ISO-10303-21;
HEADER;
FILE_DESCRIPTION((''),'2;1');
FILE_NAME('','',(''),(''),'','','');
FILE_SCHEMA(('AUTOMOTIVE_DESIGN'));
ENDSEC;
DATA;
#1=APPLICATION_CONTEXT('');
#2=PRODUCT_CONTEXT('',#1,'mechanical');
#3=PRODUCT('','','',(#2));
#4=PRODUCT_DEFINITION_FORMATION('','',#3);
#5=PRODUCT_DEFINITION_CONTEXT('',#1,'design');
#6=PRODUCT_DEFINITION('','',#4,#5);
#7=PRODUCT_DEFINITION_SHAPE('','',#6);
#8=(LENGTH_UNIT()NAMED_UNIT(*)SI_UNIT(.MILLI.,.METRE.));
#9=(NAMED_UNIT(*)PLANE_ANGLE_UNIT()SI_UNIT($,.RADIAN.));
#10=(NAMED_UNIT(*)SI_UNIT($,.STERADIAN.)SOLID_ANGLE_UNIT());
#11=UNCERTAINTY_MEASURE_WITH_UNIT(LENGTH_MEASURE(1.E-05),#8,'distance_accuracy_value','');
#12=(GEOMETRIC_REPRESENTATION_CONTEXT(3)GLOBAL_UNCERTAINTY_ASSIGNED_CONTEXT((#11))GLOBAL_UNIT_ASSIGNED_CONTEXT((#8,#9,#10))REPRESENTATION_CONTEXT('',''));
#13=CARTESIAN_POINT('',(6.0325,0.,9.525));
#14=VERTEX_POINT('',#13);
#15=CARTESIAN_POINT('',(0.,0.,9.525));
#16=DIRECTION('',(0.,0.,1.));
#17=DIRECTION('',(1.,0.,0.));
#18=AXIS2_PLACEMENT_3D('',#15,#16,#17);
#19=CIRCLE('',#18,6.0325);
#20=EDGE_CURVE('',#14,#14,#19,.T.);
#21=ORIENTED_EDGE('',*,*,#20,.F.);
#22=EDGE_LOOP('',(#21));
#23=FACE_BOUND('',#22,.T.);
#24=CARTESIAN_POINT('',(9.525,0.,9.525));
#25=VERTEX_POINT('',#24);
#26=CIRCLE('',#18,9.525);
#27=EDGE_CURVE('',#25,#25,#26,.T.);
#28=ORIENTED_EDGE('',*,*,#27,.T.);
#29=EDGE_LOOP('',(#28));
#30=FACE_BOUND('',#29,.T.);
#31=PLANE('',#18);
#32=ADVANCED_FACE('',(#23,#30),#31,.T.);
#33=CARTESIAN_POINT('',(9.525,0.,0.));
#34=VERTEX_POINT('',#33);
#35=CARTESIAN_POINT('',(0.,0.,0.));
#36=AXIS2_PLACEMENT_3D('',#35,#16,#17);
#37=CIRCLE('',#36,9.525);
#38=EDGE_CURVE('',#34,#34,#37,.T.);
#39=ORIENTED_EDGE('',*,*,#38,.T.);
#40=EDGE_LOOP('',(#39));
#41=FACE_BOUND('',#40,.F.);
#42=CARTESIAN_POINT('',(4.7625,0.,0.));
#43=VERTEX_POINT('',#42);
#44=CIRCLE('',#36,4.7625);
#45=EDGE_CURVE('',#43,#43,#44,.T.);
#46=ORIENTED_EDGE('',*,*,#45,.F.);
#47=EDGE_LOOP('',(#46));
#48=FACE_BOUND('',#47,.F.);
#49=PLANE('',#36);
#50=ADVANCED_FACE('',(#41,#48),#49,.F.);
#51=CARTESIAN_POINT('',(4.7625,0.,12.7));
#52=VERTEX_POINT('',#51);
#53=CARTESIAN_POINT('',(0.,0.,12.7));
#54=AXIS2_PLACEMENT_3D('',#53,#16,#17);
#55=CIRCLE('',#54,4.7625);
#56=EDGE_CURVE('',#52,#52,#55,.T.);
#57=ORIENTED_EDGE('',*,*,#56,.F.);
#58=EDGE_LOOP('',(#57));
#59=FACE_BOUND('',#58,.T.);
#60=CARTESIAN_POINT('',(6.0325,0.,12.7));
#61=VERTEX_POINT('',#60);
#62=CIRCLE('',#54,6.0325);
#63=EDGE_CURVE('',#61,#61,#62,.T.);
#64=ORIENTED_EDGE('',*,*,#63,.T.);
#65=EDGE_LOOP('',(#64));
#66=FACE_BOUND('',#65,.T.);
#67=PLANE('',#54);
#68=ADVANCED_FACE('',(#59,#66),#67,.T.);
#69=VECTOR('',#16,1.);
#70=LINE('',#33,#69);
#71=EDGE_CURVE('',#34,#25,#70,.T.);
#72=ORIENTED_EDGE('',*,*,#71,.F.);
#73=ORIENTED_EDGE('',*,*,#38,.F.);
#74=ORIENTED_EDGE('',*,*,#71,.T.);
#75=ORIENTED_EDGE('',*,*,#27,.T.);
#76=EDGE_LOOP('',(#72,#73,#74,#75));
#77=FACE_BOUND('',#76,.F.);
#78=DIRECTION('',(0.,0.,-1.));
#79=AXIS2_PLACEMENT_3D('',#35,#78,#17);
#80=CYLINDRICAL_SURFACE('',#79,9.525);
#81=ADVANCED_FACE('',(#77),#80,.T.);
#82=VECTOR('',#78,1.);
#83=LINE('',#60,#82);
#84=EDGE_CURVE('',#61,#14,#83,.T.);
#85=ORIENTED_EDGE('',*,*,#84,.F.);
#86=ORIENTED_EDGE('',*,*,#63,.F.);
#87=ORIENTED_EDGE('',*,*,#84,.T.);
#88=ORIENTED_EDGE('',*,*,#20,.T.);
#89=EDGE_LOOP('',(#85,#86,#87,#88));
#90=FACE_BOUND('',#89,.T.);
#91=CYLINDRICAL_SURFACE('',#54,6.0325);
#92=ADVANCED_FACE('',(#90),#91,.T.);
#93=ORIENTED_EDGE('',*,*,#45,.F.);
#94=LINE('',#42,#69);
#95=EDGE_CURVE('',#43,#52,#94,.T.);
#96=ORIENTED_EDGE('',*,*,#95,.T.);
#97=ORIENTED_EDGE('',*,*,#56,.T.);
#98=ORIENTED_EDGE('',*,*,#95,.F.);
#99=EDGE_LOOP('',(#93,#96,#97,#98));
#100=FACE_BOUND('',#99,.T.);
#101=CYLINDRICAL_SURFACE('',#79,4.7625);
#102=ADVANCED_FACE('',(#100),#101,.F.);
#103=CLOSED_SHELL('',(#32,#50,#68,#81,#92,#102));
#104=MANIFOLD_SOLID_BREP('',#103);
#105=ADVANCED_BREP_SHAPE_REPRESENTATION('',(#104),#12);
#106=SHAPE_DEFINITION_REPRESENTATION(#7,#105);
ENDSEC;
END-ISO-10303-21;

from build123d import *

# Parameters (mm, degrees)
SKETCH2_R           = 9.525
SKETCH2_R_2         = 4.7625
BOSS_EXTRUDE1_DEPTH = 12.7
SKETCH3_R           = 9.525
SKETCH3_R_2         = 6.0325
CUT_EXTRUDE1_DEPTH  = 3.175


with BuildPart() as part:
    # Sketch2 → Boss-Extrude1 (new body)
    with BuildSketch(Plane.XY):
        Circle(SKETCH2_R)
        Circle(SKETCH2_R_2, mode=Mode.SUBTRACT)
    extrude(amount=BOSS_EXTRUDE1_DEPTH)

    # Sketch3 → Cut-Extrude1 (cut)
    with BuildSketch(Plane.XY.offset(12.7)):
        Circle(SKETCH3_R)
        Circle(SKETCH3_R_2, mode=Mode.SUBTRACT)
    extrude(amount=-CUT_EXTRUDE1_DEPTH, mode=Mode.SUBTRACT)


solid = part.part
